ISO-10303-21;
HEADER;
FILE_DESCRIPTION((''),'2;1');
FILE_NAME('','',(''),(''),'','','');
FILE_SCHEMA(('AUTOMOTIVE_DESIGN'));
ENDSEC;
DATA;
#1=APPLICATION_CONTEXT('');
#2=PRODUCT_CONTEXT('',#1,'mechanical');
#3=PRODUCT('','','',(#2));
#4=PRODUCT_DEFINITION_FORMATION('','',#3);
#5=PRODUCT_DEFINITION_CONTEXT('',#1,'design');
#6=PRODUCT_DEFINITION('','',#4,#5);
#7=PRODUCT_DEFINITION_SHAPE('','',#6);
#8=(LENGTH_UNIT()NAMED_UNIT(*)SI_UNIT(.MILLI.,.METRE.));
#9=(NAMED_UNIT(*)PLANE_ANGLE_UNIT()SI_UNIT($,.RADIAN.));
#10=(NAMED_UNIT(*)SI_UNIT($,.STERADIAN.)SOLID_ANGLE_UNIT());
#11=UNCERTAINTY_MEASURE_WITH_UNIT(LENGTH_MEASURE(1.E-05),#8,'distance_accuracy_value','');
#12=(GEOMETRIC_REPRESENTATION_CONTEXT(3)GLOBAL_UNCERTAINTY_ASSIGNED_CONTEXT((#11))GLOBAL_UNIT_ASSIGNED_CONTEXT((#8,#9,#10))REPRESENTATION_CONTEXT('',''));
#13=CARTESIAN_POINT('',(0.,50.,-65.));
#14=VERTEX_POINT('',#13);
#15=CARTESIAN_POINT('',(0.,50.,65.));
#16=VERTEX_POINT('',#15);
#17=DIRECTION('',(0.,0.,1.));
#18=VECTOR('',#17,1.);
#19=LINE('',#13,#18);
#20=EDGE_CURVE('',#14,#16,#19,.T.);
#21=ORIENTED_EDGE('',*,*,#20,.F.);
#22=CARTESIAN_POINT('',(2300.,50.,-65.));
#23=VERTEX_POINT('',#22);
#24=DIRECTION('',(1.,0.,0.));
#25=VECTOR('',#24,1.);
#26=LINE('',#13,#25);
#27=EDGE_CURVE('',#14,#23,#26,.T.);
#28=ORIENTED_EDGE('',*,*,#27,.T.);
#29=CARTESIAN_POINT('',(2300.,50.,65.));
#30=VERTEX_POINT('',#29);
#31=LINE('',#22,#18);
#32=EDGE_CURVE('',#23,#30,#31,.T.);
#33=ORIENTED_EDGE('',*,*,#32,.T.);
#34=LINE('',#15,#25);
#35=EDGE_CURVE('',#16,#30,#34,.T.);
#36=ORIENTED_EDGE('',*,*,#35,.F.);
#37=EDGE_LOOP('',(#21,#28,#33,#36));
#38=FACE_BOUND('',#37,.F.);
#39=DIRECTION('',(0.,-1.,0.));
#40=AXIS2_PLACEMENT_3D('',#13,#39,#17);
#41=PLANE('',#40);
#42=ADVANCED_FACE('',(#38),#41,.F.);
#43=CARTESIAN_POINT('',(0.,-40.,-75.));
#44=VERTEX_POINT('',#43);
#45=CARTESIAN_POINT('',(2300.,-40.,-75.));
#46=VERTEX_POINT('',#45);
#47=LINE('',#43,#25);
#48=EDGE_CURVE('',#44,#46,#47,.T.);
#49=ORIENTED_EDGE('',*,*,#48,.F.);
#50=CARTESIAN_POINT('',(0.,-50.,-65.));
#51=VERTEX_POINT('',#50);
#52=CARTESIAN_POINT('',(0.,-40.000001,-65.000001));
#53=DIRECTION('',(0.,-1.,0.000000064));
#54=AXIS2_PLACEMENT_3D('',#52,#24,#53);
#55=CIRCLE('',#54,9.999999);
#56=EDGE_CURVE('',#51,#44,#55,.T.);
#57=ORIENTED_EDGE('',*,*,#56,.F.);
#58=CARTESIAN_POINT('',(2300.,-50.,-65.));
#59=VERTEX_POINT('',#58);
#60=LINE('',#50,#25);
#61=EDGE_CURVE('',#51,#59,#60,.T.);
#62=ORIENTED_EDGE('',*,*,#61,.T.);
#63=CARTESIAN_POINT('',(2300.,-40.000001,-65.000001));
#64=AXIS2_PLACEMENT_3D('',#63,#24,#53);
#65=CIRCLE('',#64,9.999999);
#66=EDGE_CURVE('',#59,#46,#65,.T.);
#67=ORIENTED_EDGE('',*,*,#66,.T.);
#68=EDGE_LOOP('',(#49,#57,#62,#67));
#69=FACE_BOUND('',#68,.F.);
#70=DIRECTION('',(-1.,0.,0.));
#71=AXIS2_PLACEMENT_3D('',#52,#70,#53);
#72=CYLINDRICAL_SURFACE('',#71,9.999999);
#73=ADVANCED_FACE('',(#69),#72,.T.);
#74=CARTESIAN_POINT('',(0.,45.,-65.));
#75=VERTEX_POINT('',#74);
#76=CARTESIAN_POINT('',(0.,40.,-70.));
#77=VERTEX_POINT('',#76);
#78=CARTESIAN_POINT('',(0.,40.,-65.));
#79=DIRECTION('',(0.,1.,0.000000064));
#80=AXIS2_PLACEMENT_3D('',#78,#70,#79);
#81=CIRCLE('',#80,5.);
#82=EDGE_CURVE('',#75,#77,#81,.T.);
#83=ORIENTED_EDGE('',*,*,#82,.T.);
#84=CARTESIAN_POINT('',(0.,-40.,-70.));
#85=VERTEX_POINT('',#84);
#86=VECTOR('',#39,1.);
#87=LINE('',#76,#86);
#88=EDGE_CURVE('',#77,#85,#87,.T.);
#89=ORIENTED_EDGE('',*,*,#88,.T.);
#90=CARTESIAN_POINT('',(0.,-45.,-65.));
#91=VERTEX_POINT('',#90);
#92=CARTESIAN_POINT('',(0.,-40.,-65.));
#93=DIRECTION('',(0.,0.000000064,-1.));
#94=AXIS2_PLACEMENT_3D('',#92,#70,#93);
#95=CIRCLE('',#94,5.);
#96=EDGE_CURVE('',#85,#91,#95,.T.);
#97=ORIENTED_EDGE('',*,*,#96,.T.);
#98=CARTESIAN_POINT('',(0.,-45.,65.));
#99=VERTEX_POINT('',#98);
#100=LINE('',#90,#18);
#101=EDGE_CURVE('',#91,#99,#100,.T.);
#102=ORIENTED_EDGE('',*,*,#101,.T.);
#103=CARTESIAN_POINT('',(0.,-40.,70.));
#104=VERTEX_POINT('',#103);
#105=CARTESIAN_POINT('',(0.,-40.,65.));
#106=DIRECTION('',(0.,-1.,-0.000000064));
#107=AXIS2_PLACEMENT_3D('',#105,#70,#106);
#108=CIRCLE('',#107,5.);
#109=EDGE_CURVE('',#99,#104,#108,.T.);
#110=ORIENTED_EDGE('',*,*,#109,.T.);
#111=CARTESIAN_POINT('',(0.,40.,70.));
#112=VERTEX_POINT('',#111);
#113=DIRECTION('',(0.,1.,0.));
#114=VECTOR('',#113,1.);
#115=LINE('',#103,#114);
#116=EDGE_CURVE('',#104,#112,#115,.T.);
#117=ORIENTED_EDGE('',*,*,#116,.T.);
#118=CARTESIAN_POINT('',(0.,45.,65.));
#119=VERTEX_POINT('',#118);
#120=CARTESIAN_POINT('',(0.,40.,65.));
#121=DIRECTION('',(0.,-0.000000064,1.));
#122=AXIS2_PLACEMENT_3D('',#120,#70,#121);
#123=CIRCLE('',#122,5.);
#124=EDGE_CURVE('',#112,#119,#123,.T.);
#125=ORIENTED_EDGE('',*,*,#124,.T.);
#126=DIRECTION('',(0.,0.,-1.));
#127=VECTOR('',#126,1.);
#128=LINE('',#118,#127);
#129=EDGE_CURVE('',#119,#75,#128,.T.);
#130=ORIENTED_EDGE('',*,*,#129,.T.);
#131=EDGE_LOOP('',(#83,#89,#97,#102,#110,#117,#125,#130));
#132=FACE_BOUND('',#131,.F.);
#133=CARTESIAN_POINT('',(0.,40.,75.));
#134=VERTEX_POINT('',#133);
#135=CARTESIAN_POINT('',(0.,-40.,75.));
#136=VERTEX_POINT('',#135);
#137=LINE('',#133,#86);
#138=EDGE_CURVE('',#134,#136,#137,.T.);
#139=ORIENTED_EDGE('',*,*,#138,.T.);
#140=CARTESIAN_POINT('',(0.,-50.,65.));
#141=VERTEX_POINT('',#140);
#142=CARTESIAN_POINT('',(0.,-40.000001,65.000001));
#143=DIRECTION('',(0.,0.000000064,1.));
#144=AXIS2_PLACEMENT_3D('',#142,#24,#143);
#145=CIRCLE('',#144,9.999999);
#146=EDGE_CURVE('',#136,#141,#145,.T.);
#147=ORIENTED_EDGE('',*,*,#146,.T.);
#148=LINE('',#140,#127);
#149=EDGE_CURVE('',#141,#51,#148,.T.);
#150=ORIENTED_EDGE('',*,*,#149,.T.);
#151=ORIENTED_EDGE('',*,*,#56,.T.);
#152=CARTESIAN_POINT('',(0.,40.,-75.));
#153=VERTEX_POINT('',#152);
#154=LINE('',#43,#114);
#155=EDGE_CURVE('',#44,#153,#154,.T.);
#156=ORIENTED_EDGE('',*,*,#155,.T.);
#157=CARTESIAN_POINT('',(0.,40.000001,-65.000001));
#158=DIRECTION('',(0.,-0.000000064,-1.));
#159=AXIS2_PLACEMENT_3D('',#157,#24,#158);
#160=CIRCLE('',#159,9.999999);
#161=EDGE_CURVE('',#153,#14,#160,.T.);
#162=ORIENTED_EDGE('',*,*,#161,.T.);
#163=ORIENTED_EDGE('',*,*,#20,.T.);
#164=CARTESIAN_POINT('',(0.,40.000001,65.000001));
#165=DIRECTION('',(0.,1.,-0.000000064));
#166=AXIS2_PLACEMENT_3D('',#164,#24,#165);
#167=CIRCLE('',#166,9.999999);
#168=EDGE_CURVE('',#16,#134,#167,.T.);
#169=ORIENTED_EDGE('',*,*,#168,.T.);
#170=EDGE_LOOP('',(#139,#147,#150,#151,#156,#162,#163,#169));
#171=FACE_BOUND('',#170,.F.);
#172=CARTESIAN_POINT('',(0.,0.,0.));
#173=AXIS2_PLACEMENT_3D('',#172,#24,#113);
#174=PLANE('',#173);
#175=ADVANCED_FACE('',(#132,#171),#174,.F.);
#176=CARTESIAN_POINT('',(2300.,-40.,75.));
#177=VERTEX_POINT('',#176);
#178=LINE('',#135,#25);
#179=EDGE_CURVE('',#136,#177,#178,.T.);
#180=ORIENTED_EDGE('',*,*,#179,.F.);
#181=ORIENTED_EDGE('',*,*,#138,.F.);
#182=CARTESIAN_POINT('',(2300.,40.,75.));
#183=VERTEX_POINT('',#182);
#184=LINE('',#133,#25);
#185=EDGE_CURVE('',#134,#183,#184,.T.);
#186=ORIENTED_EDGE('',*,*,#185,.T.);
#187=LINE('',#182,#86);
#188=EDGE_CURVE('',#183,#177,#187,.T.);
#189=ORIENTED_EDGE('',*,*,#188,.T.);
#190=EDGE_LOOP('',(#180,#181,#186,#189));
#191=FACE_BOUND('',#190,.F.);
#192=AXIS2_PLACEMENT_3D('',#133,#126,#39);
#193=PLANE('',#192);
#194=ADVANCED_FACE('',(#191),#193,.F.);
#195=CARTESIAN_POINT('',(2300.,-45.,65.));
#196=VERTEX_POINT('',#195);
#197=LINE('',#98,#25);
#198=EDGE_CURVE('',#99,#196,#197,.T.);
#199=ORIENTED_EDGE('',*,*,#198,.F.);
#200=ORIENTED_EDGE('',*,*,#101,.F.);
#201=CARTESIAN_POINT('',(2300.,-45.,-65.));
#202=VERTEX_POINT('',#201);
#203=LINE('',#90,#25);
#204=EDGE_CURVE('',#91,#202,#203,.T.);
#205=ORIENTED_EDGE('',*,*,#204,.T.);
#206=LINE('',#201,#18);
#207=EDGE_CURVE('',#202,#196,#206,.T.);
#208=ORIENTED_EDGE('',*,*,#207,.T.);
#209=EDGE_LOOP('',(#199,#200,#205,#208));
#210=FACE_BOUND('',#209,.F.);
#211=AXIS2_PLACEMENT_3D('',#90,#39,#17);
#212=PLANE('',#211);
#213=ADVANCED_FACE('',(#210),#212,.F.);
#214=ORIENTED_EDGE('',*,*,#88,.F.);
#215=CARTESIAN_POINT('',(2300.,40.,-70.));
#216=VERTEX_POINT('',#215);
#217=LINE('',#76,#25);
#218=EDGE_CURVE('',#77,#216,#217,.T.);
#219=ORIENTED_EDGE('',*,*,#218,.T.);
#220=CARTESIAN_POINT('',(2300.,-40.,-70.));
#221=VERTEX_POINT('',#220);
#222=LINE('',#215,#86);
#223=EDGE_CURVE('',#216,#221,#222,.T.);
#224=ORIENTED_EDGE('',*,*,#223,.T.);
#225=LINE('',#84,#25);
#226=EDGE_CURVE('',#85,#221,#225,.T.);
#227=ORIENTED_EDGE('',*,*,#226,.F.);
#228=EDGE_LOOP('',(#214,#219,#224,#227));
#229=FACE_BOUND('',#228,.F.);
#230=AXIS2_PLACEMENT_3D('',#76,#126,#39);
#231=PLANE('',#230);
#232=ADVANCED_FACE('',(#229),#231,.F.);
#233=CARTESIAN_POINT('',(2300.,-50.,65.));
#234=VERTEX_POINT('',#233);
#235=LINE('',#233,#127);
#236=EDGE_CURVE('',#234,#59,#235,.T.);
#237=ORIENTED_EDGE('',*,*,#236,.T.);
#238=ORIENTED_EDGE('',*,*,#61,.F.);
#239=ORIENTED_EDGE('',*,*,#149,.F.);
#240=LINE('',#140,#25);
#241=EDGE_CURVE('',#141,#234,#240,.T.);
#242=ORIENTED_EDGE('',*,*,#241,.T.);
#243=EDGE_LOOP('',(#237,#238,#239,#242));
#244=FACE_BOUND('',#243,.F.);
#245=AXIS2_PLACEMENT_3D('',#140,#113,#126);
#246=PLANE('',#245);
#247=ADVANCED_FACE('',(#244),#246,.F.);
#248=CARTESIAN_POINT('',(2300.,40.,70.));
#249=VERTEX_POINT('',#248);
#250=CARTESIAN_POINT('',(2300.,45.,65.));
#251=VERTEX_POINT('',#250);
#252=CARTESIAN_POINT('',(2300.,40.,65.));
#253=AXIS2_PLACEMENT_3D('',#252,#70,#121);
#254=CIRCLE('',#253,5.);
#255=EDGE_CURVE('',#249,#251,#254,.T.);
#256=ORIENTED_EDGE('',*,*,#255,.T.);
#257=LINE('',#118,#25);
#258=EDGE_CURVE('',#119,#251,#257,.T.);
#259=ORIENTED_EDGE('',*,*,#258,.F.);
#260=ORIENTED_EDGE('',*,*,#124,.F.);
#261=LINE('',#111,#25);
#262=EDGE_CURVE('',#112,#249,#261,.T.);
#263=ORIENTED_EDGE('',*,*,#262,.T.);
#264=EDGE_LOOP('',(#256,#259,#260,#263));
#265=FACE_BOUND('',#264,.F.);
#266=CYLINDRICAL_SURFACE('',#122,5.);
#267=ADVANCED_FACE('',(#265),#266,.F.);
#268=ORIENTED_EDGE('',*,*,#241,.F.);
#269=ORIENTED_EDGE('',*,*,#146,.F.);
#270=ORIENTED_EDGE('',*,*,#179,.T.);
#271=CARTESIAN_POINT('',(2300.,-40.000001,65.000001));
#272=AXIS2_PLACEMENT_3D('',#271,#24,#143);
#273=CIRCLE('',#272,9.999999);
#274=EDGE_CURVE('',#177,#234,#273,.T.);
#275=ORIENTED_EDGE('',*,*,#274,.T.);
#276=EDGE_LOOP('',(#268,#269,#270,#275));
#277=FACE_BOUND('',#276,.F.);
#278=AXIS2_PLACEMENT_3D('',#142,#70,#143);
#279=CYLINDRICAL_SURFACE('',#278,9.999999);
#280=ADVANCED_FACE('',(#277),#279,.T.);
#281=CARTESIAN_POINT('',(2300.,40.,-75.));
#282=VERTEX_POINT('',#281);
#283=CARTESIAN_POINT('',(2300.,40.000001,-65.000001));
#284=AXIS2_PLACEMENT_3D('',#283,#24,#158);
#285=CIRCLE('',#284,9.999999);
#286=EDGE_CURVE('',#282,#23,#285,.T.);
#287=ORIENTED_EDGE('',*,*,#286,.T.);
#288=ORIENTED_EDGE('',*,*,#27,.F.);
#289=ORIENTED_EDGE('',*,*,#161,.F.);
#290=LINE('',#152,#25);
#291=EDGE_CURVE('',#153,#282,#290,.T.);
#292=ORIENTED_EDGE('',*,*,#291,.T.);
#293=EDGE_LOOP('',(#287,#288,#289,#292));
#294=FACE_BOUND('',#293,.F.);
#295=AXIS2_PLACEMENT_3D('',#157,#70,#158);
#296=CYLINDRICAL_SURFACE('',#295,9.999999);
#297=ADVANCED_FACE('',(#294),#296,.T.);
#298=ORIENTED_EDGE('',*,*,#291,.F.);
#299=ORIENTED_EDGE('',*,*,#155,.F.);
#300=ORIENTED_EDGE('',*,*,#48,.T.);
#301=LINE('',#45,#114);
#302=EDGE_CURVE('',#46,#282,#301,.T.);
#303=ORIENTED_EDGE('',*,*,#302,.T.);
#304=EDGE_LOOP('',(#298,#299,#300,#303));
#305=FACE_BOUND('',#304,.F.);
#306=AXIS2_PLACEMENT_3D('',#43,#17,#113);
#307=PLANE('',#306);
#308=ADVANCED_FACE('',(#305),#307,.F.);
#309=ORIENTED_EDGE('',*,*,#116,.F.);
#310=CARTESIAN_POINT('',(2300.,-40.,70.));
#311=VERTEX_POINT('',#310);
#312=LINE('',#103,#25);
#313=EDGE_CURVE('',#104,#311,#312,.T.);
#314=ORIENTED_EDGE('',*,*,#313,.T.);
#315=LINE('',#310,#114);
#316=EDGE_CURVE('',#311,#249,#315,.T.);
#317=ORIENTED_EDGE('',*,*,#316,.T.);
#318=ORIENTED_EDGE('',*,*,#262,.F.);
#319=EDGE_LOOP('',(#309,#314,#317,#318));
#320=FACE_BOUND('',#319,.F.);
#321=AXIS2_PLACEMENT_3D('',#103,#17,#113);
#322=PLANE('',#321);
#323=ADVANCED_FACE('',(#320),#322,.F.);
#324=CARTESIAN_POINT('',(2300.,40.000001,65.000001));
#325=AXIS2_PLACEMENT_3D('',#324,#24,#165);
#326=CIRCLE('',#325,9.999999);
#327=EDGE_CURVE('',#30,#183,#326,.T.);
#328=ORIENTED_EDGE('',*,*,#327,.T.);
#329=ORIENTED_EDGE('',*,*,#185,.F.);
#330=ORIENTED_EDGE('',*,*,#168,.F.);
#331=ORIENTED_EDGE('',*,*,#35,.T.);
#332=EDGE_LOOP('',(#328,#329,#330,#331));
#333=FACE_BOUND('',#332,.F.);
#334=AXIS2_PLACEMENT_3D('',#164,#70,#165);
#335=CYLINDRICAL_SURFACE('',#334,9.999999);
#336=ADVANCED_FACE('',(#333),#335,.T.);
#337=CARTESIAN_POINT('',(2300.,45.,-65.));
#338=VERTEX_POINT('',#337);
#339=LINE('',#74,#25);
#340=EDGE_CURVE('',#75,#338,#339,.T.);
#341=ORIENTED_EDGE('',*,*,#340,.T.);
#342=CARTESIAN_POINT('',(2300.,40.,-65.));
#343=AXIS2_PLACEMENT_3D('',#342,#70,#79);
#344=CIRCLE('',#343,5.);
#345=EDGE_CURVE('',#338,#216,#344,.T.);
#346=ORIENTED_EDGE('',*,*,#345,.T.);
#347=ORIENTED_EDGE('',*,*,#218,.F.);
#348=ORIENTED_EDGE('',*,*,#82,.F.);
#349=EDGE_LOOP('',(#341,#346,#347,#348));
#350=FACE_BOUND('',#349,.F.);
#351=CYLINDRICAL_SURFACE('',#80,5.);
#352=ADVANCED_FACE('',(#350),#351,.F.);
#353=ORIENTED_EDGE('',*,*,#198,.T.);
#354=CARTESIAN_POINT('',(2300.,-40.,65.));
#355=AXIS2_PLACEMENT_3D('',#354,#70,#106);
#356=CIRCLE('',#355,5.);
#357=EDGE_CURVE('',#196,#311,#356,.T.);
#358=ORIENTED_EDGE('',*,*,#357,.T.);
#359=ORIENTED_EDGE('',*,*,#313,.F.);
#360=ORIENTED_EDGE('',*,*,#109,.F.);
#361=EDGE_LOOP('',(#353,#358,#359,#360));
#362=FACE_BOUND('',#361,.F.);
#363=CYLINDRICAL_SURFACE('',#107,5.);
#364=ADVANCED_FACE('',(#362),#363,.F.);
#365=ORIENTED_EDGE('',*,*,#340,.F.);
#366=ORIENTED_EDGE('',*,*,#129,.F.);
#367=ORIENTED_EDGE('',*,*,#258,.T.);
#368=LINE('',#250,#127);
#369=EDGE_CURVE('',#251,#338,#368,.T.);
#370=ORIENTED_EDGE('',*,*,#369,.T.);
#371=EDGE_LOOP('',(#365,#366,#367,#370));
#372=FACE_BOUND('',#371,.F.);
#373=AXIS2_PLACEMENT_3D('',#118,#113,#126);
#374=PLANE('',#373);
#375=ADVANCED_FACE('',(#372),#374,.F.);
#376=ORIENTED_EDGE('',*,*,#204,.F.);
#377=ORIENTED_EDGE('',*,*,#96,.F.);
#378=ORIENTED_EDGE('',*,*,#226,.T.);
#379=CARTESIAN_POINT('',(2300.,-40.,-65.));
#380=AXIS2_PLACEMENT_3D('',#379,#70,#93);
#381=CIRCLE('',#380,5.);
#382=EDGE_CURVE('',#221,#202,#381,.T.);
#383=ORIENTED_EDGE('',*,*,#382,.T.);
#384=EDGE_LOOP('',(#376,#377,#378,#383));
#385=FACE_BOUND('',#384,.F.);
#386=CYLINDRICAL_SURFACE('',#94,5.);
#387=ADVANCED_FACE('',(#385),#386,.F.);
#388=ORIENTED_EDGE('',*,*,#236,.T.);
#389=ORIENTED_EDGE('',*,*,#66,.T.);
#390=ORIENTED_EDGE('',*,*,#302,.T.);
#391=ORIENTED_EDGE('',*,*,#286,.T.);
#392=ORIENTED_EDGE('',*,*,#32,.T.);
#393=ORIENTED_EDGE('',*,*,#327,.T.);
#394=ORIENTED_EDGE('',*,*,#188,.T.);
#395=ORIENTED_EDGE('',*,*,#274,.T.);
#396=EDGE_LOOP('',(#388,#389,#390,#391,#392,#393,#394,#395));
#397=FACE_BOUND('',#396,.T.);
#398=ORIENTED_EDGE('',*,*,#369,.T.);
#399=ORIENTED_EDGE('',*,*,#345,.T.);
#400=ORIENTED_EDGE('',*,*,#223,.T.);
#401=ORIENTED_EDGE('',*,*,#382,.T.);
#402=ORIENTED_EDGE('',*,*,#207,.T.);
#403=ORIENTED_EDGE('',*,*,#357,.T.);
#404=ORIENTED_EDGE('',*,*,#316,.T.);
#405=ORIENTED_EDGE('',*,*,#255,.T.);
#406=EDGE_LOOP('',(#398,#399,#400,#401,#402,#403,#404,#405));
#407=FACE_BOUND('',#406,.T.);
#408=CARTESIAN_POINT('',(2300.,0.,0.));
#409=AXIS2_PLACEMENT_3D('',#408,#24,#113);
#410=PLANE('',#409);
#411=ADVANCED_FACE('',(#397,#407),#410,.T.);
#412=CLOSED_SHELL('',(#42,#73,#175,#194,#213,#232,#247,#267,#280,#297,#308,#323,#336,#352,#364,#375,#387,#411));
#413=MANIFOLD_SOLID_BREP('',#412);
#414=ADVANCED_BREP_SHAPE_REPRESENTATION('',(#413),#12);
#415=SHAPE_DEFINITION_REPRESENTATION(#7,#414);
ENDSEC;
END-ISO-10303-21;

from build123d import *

# Parameters (mm, degrees)
F1_DEPTH = 2300


with BuildPart() as f1:
    # F0 (on Right) → F1 (new body)
    with BuildSketch(Plane.YZ):
        with BuildLine():
            ThreePointArc((50, 65), (47.071068, 72.071068), (40, 75))
            Line((40, 75), (-40, 75))
            ThreePointArc((-40, 75), (-47.071068, 72.071068), (-50, 65))
            Line((-50, 65), (-50, -65))
            ThreePointArc((-50, -65), (-47.071068, -72.071068), (-40, -75))
            Line((-40, -75), (40, -75))
            ThreePointArc((40, -75), (47.071068, -72.071068), (50, -65))
            Line((50, -65), (50, 65))
        make_face()
        with BuildLine():
            ThreePointArc((45, -65), (43.535534, -68.535534), (40, -70))
            Line((40, -70), (-40, -70))
            ThreePointArc((-40, -70), (-43.535534, -68.535534), (-45, -65))
            Line((-45, -65), (-45, 65))
            ThreePointArc((-45, 65), (-43.535534, 68.535534), (-40, 70))
            Line((-40, 70), (40, 70))
            ThreePointArc((40, 70), (43.535534, 68.535534), (45, 65))
            Line((45, 65), (45, -65))
        make_face(mode=Mode.SUBTRACT)
    extrude(amount=F1_DEPTH)


solid = f1.part
